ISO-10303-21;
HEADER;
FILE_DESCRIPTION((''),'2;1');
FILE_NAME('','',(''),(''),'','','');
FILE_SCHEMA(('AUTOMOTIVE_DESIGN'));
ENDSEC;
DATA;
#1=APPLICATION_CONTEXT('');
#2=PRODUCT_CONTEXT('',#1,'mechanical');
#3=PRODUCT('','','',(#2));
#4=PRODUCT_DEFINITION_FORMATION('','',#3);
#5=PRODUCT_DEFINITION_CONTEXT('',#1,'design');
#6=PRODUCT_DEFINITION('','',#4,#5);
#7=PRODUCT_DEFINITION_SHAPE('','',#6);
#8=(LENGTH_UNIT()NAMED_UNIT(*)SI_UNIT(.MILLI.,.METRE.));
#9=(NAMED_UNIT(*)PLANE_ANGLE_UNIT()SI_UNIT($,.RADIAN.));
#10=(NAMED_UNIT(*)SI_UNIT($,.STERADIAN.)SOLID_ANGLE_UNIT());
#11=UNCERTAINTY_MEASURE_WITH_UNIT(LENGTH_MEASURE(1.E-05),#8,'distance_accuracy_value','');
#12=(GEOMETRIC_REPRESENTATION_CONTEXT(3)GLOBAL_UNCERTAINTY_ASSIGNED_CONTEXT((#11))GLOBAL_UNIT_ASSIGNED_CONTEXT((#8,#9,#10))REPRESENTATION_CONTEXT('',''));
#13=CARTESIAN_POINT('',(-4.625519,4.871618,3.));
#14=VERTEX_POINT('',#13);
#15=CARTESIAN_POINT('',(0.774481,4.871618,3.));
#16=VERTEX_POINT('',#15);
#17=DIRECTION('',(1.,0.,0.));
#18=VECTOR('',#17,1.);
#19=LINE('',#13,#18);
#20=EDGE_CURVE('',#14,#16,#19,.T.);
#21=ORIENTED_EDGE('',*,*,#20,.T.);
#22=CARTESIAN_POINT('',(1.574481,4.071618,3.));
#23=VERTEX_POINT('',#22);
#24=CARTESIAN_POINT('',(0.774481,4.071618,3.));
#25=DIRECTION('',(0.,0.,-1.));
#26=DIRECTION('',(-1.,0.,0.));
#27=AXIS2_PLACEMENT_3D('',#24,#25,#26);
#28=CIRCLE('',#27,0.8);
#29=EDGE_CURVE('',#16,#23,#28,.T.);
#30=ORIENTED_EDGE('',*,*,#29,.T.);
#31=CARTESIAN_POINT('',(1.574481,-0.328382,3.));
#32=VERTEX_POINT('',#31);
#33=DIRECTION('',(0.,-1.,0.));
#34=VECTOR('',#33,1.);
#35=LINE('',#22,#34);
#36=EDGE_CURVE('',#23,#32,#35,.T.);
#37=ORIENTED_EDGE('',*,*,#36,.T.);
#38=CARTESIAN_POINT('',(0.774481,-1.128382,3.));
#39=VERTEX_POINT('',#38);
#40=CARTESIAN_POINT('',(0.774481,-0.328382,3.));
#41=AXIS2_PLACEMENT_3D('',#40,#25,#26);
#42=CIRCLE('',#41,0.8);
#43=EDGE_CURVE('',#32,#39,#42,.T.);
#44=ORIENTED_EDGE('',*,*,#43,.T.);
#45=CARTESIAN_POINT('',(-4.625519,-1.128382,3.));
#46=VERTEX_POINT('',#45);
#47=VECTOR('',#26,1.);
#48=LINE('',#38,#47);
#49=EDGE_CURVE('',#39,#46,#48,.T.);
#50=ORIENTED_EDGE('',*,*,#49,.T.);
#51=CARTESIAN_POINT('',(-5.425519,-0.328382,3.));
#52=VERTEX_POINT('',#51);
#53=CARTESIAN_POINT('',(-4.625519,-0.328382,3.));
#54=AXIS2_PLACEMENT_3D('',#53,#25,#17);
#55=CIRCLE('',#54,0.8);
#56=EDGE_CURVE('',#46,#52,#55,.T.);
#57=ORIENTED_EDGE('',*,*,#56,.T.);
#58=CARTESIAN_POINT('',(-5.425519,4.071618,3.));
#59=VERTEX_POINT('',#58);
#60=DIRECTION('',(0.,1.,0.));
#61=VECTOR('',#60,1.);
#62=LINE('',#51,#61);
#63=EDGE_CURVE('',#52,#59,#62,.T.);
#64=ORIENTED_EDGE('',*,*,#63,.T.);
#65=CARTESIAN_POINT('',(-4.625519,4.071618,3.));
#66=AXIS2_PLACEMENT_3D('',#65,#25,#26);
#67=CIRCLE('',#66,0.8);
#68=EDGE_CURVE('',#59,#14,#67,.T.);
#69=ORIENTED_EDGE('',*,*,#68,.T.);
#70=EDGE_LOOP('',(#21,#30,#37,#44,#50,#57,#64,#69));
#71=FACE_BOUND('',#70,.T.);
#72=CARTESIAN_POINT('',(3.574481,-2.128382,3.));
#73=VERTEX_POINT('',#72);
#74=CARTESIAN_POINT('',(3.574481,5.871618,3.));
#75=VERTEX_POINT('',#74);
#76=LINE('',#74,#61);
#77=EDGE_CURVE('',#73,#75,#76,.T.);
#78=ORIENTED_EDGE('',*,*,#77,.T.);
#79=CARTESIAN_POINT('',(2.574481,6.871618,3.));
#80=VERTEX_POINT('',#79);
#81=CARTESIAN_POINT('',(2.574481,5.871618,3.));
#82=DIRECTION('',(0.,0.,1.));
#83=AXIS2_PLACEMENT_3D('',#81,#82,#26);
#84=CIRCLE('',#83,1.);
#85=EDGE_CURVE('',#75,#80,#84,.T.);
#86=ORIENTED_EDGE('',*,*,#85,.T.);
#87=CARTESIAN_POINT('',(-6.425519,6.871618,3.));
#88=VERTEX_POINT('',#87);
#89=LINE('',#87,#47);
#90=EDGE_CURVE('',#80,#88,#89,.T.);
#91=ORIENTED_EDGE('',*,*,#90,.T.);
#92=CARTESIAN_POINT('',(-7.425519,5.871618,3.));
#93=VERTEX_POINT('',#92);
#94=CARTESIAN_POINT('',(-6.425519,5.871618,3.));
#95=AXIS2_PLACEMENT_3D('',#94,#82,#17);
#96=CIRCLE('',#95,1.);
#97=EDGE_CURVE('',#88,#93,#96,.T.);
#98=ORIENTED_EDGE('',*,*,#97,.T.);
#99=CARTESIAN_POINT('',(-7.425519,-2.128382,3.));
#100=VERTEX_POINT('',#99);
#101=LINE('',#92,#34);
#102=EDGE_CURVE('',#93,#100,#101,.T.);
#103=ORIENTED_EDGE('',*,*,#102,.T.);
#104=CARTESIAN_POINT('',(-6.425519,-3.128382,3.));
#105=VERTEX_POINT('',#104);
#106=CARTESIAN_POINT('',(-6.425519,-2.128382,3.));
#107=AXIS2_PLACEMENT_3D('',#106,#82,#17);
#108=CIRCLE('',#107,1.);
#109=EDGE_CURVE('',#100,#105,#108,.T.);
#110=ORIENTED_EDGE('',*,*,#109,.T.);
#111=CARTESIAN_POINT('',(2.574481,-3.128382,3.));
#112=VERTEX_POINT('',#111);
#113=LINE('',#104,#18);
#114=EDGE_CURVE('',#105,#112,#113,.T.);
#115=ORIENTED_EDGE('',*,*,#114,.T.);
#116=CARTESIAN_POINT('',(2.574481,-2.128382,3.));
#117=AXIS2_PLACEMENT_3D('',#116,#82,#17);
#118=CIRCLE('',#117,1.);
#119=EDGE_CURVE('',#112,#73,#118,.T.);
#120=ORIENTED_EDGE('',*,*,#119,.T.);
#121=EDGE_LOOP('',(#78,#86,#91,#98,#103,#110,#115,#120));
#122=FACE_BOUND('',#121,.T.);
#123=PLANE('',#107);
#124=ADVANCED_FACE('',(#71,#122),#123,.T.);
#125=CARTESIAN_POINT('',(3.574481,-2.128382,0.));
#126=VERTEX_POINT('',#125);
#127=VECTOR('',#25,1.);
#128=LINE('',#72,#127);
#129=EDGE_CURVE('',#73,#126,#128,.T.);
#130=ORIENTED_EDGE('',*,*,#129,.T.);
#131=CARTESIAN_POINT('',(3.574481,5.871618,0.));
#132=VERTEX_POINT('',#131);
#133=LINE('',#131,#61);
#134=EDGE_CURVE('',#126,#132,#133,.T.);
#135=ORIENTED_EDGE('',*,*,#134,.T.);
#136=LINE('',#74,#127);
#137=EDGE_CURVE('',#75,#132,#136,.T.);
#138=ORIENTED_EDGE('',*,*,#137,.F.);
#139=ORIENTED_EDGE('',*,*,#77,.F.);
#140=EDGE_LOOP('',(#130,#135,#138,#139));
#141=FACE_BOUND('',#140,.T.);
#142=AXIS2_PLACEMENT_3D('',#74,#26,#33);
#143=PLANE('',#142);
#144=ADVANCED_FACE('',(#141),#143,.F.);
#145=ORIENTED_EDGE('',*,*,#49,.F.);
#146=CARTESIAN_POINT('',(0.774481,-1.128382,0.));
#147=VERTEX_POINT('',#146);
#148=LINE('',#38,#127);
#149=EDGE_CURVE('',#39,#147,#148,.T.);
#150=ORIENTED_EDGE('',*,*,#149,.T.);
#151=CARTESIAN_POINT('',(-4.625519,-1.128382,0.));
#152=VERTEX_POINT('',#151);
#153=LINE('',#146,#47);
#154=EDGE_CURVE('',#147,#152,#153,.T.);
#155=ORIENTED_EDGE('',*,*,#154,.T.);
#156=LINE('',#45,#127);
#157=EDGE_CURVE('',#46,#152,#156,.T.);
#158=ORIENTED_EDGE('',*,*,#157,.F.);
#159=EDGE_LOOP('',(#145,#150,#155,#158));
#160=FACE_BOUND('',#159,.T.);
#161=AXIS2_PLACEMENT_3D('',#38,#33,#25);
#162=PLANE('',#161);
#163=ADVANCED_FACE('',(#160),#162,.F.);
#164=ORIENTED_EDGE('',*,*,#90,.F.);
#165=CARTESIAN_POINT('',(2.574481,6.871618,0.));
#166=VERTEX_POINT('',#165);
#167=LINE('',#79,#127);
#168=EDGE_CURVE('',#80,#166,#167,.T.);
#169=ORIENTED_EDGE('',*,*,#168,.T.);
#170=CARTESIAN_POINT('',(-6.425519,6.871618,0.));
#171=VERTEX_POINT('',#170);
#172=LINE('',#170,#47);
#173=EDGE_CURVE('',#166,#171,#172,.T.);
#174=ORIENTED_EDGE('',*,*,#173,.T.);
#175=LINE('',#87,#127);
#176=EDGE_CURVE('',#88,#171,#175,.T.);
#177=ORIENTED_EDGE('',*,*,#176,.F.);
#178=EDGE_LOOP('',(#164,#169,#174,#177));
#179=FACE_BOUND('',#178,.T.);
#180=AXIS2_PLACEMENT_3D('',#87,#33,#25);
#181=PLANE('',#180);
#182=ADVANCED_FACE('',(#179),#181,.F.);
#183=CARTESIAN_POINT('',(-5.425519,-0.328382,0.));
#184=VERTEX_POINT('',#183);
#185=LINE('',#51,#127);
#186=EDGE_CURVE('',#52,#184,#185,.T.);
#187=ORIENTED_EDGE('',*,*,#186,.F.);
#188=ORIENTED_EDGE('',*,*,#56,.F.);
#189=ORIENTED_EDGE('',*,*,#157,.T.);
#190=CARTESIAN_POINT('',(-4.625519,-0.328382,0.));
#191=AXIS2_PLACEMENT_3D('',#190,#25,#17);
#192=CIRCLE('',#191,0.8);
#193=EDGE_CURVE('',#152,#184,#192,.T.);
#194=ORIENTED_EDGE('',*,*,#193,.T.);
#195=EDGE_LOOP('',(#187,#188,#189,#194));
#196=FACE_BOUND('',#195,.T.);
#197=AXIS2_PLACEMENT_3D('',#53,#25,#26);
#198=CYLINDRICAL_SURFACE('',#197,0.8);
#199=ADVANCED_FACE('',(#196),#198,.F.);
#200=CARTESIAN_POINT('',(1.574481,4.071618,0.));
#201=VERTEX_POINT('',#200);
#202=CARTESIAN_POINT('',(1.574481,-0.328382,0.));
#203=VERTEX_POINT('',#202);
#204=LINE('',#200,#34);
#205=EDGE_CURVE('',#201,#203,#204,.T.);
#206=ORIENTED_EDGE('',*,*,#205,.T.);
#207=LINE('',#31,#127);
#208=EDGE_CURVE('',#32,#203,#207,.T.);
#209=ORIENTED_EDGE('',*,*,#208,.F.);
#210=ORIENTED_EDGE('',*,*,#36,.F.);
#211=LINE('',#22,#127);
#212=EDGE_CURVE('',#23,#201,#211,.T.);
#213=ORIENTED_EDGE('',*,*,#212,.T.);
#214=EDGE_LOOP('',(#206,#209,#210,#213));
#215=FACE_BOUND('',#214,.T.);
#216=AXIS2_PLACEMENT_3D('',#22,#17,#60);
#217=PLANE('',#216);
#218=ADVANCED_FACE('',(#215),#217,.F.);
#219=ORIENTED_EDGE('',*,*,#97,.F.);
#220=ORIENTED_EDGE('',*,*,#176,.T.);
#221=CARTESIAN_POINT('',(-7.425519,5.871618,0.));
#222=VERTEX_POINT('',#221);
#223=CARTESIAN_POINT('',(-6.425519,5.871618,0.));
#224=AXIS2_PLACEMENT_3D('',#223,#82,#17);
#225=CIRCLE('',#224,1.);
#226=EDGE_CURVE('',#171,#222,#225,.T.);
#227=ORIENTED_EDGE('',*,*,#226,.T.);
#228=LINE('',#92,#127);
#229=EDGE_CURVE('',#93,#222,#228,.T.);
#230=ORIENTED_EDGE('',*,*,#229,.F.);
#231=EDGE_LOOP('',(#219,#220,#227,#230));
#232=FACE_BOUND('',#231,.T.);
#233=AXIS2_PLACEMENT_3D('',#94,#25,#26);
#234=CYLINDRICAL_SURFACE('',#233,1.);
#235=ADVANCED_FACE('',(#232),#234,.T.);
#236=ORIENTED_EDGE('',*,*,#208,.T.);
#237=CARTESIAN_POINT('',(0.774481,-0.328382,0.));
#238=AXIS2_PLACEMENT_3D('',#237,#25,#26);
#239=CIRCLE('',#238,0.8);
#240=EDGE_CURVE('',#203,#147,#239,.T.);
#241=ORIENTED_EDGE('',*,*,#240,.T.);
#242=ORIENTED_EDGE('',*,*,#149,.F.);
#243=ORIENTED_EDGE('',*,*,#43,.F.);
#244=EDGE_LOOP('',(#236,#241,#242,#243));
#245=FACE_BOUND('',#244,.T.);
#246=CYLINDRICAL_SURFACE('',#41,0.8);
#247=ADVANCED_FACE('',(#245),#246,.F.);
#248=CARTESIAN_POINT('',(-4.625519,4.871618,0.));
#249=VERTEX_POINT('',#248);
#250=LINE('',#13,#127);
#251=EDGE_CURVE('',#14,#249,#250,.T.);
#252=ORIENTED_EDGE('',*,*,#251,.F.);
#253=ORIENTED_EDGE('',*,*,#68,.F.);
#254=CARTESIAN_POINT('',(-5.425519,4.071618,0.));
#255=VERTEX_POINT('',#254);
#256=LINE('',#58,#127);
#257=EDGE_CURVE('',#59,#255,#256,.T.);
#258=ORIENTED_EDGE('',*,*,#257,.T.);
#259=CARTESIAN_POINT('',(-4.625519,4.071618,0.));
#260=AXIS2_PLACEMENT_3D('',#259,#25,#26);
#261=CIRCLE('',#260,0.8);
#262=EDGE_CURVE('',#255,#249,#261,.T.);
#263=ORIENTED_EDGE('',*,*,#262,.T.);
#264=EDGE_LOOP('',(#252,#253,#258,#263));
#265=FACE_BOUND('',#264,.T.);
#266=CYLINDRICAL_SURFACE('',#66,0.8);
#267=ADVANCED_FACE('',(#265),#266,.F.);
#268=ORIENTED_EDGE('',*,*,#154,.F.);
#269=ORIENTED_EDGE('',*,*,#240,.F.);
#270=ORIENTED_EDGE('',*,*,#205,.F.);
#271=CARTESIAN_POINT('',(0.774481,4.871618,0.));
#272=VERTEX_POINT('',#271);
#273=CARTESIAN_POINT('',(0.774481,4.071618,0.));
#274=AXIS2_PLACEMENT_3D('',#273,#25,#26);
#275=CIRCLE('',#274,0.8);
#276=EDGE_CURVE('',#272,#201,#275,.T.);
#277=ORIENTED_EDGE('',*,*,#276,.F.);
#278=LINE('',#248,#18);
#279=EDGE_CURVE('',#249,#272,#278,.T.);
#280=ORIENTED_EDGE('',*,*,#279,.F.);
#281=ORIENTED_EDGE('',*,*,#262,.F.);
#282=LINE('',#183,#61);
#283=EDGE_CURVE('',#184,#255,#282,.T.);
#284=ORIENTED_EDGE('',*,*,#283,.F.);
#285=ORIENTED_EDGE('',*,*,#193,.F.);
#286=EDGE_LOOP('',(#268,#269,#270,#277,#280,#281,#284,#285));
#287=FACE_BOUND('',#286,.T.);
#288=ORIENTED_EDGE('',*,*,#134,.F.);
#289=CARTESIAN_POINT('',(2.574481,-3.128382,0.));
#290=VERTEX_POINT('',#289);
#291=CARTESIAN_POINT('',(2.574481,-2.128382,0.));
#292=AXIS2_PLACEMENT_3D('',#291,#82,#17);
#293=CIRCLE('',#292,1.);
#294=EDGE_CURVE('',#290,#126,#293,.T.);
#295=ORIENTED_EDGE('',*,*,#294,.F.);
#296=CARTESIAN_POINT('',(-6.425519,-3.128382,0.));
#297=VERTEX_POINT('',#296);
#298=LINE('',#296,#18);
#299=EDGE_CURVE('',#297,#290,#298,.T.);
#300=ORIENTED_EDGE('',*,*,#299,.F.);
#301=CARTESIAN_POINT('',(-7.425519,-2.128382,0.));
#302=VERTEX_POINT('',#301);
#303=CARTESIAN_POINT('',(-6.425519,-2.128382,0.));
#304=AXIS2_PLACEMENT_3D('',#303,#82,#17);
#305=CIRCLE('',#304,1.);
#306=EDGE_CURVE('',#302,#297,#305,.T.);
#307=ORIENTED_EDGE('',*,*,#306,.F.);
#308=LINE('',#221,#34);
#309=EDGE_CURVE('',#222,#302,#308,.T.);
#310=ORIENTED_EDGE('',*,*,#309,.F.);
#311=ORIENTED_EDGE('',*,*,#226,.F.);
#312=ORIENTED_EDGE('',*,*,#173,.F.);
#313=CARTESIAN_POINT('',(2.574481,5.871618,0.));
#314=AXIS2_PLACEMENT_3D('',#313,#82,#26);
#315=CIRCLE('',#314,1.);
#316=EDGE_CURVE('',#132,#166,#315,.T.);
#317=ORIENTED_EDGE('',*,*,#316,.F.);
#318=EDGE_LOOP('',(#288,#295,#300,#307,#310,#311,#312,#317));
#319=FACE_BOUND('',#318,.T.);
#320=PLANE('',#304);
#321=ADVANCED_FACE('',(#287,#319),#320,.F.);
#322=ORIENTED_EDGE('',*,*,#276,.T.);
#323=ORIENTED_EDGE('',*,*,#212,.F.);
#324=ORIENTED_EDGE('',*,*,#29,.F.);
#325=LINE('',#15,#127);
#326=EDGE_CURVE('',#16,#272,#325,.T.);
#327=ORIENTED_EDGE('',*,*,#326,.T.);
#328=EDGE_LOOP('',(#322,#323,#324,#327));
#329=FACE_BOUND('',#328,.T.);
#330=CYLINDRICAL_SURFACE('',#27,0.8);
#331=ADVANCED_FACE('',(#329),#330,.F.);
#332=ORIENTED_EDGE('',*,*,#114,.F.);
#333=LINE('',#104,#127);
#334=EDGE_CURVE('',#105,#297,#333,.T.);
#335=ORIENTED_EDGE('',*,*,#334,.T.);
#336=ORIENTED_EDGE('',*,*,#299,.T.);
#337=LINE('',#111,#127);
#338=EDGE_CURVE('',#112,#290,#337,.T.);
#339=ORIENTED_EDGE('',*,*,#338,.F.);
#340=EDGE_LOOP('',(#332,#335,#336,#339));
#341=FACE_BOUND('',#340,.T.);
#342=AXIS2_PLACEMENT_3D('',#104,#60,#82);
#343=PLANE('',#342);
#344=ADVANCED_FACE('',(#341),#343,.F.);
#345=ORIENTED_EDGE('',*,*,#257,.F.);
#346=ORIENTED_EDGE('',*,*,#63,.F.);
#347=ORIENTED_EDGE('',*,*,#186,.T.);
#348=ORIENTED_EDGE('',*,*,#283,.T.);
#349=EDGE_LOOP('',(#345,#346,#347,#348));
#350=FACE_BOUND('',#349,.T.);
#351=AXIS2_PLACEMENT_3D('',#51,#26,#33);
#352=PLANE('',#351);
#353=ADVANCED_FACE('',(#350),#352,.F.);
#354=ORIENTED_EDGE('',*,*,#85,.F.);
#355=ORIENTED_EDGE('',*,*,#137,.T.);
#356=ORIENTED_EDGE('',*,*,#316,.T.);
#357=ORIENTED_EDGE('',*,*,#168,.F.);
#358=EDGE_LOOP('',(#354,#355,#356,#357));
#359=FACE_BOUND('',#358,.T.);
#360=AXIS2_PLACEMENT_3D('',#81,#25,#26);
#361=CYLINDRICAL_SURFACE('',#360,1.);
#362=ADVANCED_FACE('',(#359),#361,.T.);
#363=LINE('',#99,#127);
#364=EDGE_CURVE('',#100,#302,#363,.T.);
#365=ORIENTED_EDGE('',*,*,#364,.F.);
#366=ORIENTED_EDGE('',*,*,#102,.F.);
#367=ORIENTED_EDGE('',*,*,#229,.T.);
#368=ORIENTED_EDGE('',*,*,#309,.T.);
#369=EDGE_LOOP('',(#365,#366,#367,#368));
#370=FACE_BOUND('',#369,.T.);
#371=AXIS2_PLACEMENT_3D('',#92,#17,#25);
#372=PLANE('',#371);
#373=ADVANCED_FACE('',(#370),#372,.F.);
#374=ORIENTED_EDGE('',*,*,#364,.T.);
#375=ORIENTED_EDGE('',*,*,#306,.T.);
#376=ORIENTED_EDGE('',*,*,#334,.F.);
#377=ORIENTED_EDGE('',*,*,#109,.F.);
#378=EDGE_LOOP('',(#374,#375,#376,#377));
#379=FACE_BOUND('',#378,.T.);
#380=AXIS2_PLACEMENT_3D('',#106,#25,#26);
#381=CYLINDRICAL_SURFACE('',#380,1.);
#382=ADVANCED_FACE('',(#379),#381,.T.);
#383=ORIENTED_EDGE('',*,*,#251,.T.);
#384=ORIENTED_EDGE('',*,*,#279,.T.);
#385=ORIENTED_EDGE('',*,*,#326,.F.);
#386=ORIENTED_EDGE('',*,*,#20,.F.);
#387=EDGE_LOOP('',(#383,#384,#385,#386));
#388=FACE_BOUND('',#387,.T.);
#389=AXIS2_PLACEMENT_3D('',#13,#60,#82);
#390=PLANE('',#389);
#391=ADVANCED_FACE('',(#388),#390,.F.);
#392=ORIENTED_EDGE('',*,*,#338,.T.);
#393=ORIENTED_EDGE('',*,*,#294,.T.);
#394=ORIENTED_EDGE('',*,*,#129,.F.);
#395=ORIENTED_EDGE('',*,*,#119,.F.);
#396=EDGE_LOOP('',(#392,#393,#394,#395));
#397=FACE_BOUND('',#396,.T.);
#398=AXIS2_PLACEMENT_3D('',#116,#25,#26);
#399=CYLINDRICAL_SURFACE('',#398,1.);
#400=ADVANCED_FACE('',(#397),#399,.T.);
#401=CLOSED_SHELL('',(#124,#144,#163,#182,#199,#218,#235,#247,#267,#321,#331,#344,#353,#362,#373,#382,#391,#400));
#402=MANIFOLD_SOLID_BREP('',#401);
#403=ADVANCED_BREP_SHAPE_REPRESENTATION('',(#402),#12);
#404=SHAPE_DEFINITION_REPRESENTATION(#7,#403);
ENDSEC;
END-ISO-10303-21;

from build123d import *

# Parameters (mm, degrees)
EXTRUDE_1_DEPTH     = 3
CUT_EXTRUDE_1_DEPTH = 3


with BuildPart() as part:
    # 草图1 → 凸台-拉伸1 (new body)
    with BuildSketch(Plane.XY):
        with BuildLine():
            Line((-6.425519106, 6.87161757), (2.574480894, 6.87161757))
            ThreePointArc((2.574480894, 6.87161757), (3.281587675, 6.578724351), (3.574480894, 5.87161757))
            Line((3.574480894, 5.87161757), (3.574480894, -2.12838243))
            ThreePointArc((3.574480894, -2.12838243), (3.281587675, -2.835489211), (2.574480894, -3.12838243))
            Line((2.574480894, -3.12838243), (-6.425519106, -3.12838243))
            ThreePointArc((-6.425519106, -3.12838243), (-7.132625887, -2.835489211), (-7.425519106, -2.12838243))
            Line((-7.425519106, -2.12838243), (-7.425519106, 5.87161757))
            ThreePointArc((-7.425519106, 5.87161757), (-7.132625887, 6.578724351), (-6.425519106, 6.87161757))
        make_face()
    extrude(amount=EXTRUDE_1_DEPTH)

    # 草图3 → 切除-拉伸1 (cut)
    with BuildSketch(Plane(origin=(0, 0, 0), x_dir=(-1, 0, 0), z_dir=(0, 0, -1))):
        with BuildLine():
            Line((5.425519106, -0.32838243), (5.425519106, 4.07161757))
            ThreePointArc((5.425519106, 4.07161757), (5.191204531, 4.637302995), (4.625519106, 4.87161757))
            Line((4.625519106, 4.87161757), (-0.774480894, 4.87161757))
            ThreePointArc((-0.774480894, 4.87161757), (-1.340166319, 4.637302995), (-1.574480894, 4.07161757))
            Line((-1.574480894, 4.07161757), (-1.574480894, -0.32838243))
            ThreePointArc((-1.574480894, -0.32838243), (-1.340166319, -0.894067855), (-0.774480894, -1.12838243))
            Line((-0.774480894, -1.12838243), (4.625519106, -1.12838243))
            ThreePointArc((4.625519106, -1.12838243), (5.191204531, -0.894067855), (5.425519106, -0.32838243))
        make_face()
    extrude(amount=-CUT_EXTRUDE_1_DEPTH, mode=Mode.SUBTRACT)


solid = part.part
